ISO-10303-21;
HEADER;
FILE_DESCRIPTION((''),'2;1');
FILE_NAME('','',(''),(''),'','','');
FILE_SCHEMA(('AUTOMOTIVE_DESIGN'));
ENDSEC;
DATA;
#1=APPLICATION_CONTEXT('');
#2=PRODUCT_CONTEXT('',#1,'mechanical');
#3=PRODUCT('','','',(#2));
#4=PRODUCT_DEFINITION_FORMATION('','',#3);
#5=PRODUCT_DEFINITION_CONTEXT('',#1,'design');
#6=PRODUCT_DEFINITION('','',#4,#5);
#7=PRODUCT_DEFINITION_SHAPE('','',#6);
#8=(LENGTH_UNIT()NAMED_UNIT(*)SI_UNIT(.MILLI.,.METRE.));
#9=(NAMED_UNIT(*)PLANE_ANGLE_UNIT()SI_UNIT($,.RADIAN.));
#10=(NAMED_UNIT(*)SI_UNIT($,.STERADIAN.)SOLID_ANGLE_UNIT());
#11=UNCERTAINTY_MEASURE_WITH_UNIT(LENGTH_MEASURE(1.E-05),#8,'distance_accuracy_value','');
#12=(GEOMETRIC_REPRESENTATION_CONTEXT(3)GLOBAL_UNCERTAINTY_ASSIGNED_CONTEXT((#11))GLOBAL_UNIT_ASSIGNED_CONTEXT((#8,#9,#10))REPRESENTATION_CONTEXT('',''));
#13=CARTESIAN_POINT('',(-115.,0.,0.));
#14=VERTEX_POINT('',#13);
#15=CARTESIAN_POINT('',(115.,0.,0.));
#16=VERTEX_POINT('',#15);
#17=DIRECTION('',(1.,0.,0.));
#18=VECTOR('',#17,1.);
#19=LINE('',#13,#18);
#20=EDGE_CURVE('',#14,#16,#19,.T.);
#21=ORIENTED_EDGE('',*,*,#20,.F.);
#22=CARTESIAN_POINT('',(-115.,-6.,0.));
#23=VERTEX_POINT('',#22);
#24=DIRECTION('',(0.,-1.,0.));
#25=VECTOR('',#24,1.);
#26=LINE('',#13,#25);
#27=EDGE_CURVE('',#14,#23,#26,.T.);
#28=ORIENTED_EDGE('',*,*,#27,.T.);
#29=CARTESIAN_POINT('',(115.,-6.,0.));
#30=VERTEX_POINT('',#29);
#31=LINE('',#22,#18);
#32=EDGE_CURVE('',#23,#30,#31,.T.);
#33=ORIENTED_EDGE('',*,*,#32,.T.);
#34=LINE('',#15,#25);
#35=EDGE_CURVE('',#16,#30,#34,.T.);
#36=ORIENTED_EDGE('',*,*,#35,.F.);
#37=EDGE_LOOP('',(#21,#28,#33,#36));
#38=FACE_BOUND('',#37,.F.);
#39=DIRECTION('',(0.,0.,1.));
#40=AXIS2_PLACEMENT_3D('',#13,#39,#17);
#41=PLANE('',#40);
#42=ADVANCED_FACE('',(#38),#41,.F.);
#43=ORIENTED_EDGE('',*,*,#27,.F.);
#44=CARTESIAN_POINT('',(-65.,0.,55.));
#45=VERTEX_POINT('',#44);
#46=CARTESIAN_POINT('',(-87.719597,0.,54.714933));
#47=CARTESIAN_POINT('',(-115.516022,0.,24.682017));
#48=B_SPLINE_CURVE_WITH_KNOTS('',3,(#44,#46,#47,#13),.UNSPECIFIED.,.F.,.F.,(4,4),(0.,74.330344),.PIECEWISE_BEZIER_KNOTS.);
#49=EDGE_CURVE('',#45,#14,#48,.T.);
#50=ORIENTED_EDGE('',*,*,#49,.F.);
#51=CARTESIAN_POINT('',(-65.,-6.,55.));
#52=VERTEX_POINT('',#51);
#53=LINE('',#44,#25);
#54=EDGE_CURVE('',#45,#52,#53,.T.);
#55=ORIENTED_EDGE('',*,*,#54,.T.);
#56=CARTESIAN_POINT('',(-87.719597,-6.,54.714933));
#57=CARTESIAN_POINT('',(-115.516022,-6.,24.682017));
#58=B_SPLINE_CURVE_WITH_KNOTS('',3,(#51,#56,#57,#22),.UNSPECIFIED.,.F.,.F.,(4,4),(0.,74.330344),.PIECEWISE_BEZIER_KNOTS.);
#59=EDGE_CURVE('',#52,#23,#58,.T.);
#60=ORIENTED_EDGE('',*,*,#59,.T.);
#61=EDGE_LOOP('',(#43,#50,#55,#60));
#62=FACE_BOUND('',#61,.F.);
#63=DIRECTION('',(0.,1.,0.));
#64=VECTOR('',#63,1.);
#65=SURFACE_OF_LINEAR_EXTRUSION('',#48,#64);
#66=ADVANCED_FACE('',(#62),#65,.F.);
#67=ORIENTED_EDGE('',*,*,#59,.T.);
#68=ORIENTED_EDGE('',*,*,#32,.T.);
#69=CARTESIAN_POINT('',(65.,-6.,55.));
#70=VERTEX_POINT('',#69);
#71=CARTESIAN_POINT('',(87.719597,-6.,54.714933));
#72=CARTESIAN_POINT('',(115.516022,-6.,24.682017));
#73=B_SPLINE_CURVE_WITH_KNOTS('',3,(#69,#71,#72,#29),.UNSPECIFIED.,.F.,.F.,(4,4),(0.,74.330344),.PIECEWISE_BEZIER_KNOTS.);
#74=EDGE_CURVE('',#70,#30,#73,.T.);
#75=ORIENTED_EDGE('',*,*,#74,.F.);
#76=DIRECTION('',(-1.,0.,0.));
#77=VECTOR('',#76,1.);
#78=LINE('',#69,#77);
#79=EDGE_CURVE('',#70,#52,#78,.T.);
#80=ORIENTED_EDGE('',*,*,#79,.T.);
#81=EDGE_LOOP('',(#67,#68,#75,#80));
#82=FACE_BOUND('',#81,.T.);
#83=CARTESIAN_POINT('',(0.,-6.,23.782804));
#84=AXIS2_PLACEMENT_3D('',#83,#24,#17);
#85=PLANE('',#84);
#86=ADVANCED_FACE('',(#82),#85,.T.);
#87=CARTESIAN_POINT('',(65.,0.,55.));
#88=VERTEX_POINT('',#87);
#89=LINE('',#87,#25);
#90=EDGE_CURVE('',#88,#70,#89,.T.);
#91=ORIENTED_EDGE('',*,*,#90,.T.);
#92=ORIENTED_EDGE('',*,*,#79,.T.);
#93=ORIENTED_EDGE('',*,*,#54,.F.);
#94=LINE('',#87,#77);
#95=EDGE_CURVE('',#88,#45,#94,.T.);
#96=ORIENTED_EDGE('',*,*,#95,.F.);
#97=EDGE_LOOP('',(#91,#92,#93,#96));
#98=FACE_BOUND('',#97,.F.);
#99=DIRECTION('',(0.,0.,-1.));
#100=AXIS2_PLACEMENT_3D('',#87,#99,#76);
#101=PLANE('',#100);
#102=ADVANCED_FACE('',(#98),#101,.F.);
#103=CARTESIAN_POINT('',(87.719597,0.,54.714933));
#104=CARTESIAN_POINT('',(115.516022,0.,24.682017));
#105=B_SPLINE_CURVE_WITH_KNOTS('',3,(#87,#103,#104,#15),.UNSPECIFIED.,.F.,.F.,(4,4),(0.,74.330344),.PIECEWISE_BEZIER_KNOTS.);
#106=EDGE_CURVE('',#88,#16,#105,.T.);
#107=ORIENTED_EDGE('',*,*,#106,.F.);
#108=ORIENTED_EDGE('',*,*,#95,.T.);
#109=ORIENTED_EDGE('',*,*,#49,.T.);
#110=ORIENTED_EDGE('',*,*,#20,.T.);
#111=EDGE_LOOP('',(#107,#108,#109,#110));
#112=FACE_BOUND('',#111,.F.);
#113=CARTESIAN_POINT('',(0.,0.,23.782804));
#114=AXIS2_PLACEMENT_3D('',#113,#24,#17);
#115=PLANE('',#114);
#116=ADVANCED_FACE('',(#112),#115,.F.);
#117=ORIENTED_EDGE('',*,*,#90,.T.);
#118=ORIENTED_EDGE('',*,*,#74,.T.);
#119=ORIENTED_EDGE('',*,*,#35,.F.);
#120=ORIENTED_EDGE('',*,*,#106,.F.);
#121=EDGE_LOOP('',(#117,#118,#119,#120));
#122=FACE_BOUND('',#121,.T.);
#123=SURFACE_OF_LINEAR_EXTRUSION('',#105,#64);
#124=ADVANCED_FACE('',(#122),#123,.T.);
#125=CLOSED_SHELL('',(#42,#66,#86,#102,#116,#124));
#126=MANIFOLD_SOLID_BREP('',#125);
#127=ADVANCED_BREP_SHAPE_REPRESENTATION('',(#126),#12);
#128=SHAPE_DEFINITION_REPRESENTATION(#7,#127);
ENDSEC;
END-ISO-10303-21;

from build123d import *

# Parameters (mm, degrees)
F1_DEPTH = 6


with BuildPart() as f1:
    # F0 (on Front) → F1 (new body)
    with BuildSketch(Plane.XZ):
        with BuildLine():
            Line((-115, 0), (0, 0))
            Line((0, 0), (115, 0))
            add(Edge.make_bspline(
                [(65, 55), (87.719597, 54.714933), (115.516022, 24.682017), (115, 0)],
                knots=[0, 0, 0, 0, 74.330344, 74.330344, 74.330344, 74.330344], degree=3))
            Line((65, 55), (0, 55))
            Line((0, 55), (-65, 55))
            add(Edge.make_bspline(
                [(-65, 55), (-87.719597, 54.714933), (-115.516022, 24.682017), (-115, 0)],
                knots=[0, 0, 0, 0, 74.330344, 74.330344, 74.330344, 74.330344], degree=3))
        make_face()
    extrude(amount=F1_DEPTH)


solid = f1.part
